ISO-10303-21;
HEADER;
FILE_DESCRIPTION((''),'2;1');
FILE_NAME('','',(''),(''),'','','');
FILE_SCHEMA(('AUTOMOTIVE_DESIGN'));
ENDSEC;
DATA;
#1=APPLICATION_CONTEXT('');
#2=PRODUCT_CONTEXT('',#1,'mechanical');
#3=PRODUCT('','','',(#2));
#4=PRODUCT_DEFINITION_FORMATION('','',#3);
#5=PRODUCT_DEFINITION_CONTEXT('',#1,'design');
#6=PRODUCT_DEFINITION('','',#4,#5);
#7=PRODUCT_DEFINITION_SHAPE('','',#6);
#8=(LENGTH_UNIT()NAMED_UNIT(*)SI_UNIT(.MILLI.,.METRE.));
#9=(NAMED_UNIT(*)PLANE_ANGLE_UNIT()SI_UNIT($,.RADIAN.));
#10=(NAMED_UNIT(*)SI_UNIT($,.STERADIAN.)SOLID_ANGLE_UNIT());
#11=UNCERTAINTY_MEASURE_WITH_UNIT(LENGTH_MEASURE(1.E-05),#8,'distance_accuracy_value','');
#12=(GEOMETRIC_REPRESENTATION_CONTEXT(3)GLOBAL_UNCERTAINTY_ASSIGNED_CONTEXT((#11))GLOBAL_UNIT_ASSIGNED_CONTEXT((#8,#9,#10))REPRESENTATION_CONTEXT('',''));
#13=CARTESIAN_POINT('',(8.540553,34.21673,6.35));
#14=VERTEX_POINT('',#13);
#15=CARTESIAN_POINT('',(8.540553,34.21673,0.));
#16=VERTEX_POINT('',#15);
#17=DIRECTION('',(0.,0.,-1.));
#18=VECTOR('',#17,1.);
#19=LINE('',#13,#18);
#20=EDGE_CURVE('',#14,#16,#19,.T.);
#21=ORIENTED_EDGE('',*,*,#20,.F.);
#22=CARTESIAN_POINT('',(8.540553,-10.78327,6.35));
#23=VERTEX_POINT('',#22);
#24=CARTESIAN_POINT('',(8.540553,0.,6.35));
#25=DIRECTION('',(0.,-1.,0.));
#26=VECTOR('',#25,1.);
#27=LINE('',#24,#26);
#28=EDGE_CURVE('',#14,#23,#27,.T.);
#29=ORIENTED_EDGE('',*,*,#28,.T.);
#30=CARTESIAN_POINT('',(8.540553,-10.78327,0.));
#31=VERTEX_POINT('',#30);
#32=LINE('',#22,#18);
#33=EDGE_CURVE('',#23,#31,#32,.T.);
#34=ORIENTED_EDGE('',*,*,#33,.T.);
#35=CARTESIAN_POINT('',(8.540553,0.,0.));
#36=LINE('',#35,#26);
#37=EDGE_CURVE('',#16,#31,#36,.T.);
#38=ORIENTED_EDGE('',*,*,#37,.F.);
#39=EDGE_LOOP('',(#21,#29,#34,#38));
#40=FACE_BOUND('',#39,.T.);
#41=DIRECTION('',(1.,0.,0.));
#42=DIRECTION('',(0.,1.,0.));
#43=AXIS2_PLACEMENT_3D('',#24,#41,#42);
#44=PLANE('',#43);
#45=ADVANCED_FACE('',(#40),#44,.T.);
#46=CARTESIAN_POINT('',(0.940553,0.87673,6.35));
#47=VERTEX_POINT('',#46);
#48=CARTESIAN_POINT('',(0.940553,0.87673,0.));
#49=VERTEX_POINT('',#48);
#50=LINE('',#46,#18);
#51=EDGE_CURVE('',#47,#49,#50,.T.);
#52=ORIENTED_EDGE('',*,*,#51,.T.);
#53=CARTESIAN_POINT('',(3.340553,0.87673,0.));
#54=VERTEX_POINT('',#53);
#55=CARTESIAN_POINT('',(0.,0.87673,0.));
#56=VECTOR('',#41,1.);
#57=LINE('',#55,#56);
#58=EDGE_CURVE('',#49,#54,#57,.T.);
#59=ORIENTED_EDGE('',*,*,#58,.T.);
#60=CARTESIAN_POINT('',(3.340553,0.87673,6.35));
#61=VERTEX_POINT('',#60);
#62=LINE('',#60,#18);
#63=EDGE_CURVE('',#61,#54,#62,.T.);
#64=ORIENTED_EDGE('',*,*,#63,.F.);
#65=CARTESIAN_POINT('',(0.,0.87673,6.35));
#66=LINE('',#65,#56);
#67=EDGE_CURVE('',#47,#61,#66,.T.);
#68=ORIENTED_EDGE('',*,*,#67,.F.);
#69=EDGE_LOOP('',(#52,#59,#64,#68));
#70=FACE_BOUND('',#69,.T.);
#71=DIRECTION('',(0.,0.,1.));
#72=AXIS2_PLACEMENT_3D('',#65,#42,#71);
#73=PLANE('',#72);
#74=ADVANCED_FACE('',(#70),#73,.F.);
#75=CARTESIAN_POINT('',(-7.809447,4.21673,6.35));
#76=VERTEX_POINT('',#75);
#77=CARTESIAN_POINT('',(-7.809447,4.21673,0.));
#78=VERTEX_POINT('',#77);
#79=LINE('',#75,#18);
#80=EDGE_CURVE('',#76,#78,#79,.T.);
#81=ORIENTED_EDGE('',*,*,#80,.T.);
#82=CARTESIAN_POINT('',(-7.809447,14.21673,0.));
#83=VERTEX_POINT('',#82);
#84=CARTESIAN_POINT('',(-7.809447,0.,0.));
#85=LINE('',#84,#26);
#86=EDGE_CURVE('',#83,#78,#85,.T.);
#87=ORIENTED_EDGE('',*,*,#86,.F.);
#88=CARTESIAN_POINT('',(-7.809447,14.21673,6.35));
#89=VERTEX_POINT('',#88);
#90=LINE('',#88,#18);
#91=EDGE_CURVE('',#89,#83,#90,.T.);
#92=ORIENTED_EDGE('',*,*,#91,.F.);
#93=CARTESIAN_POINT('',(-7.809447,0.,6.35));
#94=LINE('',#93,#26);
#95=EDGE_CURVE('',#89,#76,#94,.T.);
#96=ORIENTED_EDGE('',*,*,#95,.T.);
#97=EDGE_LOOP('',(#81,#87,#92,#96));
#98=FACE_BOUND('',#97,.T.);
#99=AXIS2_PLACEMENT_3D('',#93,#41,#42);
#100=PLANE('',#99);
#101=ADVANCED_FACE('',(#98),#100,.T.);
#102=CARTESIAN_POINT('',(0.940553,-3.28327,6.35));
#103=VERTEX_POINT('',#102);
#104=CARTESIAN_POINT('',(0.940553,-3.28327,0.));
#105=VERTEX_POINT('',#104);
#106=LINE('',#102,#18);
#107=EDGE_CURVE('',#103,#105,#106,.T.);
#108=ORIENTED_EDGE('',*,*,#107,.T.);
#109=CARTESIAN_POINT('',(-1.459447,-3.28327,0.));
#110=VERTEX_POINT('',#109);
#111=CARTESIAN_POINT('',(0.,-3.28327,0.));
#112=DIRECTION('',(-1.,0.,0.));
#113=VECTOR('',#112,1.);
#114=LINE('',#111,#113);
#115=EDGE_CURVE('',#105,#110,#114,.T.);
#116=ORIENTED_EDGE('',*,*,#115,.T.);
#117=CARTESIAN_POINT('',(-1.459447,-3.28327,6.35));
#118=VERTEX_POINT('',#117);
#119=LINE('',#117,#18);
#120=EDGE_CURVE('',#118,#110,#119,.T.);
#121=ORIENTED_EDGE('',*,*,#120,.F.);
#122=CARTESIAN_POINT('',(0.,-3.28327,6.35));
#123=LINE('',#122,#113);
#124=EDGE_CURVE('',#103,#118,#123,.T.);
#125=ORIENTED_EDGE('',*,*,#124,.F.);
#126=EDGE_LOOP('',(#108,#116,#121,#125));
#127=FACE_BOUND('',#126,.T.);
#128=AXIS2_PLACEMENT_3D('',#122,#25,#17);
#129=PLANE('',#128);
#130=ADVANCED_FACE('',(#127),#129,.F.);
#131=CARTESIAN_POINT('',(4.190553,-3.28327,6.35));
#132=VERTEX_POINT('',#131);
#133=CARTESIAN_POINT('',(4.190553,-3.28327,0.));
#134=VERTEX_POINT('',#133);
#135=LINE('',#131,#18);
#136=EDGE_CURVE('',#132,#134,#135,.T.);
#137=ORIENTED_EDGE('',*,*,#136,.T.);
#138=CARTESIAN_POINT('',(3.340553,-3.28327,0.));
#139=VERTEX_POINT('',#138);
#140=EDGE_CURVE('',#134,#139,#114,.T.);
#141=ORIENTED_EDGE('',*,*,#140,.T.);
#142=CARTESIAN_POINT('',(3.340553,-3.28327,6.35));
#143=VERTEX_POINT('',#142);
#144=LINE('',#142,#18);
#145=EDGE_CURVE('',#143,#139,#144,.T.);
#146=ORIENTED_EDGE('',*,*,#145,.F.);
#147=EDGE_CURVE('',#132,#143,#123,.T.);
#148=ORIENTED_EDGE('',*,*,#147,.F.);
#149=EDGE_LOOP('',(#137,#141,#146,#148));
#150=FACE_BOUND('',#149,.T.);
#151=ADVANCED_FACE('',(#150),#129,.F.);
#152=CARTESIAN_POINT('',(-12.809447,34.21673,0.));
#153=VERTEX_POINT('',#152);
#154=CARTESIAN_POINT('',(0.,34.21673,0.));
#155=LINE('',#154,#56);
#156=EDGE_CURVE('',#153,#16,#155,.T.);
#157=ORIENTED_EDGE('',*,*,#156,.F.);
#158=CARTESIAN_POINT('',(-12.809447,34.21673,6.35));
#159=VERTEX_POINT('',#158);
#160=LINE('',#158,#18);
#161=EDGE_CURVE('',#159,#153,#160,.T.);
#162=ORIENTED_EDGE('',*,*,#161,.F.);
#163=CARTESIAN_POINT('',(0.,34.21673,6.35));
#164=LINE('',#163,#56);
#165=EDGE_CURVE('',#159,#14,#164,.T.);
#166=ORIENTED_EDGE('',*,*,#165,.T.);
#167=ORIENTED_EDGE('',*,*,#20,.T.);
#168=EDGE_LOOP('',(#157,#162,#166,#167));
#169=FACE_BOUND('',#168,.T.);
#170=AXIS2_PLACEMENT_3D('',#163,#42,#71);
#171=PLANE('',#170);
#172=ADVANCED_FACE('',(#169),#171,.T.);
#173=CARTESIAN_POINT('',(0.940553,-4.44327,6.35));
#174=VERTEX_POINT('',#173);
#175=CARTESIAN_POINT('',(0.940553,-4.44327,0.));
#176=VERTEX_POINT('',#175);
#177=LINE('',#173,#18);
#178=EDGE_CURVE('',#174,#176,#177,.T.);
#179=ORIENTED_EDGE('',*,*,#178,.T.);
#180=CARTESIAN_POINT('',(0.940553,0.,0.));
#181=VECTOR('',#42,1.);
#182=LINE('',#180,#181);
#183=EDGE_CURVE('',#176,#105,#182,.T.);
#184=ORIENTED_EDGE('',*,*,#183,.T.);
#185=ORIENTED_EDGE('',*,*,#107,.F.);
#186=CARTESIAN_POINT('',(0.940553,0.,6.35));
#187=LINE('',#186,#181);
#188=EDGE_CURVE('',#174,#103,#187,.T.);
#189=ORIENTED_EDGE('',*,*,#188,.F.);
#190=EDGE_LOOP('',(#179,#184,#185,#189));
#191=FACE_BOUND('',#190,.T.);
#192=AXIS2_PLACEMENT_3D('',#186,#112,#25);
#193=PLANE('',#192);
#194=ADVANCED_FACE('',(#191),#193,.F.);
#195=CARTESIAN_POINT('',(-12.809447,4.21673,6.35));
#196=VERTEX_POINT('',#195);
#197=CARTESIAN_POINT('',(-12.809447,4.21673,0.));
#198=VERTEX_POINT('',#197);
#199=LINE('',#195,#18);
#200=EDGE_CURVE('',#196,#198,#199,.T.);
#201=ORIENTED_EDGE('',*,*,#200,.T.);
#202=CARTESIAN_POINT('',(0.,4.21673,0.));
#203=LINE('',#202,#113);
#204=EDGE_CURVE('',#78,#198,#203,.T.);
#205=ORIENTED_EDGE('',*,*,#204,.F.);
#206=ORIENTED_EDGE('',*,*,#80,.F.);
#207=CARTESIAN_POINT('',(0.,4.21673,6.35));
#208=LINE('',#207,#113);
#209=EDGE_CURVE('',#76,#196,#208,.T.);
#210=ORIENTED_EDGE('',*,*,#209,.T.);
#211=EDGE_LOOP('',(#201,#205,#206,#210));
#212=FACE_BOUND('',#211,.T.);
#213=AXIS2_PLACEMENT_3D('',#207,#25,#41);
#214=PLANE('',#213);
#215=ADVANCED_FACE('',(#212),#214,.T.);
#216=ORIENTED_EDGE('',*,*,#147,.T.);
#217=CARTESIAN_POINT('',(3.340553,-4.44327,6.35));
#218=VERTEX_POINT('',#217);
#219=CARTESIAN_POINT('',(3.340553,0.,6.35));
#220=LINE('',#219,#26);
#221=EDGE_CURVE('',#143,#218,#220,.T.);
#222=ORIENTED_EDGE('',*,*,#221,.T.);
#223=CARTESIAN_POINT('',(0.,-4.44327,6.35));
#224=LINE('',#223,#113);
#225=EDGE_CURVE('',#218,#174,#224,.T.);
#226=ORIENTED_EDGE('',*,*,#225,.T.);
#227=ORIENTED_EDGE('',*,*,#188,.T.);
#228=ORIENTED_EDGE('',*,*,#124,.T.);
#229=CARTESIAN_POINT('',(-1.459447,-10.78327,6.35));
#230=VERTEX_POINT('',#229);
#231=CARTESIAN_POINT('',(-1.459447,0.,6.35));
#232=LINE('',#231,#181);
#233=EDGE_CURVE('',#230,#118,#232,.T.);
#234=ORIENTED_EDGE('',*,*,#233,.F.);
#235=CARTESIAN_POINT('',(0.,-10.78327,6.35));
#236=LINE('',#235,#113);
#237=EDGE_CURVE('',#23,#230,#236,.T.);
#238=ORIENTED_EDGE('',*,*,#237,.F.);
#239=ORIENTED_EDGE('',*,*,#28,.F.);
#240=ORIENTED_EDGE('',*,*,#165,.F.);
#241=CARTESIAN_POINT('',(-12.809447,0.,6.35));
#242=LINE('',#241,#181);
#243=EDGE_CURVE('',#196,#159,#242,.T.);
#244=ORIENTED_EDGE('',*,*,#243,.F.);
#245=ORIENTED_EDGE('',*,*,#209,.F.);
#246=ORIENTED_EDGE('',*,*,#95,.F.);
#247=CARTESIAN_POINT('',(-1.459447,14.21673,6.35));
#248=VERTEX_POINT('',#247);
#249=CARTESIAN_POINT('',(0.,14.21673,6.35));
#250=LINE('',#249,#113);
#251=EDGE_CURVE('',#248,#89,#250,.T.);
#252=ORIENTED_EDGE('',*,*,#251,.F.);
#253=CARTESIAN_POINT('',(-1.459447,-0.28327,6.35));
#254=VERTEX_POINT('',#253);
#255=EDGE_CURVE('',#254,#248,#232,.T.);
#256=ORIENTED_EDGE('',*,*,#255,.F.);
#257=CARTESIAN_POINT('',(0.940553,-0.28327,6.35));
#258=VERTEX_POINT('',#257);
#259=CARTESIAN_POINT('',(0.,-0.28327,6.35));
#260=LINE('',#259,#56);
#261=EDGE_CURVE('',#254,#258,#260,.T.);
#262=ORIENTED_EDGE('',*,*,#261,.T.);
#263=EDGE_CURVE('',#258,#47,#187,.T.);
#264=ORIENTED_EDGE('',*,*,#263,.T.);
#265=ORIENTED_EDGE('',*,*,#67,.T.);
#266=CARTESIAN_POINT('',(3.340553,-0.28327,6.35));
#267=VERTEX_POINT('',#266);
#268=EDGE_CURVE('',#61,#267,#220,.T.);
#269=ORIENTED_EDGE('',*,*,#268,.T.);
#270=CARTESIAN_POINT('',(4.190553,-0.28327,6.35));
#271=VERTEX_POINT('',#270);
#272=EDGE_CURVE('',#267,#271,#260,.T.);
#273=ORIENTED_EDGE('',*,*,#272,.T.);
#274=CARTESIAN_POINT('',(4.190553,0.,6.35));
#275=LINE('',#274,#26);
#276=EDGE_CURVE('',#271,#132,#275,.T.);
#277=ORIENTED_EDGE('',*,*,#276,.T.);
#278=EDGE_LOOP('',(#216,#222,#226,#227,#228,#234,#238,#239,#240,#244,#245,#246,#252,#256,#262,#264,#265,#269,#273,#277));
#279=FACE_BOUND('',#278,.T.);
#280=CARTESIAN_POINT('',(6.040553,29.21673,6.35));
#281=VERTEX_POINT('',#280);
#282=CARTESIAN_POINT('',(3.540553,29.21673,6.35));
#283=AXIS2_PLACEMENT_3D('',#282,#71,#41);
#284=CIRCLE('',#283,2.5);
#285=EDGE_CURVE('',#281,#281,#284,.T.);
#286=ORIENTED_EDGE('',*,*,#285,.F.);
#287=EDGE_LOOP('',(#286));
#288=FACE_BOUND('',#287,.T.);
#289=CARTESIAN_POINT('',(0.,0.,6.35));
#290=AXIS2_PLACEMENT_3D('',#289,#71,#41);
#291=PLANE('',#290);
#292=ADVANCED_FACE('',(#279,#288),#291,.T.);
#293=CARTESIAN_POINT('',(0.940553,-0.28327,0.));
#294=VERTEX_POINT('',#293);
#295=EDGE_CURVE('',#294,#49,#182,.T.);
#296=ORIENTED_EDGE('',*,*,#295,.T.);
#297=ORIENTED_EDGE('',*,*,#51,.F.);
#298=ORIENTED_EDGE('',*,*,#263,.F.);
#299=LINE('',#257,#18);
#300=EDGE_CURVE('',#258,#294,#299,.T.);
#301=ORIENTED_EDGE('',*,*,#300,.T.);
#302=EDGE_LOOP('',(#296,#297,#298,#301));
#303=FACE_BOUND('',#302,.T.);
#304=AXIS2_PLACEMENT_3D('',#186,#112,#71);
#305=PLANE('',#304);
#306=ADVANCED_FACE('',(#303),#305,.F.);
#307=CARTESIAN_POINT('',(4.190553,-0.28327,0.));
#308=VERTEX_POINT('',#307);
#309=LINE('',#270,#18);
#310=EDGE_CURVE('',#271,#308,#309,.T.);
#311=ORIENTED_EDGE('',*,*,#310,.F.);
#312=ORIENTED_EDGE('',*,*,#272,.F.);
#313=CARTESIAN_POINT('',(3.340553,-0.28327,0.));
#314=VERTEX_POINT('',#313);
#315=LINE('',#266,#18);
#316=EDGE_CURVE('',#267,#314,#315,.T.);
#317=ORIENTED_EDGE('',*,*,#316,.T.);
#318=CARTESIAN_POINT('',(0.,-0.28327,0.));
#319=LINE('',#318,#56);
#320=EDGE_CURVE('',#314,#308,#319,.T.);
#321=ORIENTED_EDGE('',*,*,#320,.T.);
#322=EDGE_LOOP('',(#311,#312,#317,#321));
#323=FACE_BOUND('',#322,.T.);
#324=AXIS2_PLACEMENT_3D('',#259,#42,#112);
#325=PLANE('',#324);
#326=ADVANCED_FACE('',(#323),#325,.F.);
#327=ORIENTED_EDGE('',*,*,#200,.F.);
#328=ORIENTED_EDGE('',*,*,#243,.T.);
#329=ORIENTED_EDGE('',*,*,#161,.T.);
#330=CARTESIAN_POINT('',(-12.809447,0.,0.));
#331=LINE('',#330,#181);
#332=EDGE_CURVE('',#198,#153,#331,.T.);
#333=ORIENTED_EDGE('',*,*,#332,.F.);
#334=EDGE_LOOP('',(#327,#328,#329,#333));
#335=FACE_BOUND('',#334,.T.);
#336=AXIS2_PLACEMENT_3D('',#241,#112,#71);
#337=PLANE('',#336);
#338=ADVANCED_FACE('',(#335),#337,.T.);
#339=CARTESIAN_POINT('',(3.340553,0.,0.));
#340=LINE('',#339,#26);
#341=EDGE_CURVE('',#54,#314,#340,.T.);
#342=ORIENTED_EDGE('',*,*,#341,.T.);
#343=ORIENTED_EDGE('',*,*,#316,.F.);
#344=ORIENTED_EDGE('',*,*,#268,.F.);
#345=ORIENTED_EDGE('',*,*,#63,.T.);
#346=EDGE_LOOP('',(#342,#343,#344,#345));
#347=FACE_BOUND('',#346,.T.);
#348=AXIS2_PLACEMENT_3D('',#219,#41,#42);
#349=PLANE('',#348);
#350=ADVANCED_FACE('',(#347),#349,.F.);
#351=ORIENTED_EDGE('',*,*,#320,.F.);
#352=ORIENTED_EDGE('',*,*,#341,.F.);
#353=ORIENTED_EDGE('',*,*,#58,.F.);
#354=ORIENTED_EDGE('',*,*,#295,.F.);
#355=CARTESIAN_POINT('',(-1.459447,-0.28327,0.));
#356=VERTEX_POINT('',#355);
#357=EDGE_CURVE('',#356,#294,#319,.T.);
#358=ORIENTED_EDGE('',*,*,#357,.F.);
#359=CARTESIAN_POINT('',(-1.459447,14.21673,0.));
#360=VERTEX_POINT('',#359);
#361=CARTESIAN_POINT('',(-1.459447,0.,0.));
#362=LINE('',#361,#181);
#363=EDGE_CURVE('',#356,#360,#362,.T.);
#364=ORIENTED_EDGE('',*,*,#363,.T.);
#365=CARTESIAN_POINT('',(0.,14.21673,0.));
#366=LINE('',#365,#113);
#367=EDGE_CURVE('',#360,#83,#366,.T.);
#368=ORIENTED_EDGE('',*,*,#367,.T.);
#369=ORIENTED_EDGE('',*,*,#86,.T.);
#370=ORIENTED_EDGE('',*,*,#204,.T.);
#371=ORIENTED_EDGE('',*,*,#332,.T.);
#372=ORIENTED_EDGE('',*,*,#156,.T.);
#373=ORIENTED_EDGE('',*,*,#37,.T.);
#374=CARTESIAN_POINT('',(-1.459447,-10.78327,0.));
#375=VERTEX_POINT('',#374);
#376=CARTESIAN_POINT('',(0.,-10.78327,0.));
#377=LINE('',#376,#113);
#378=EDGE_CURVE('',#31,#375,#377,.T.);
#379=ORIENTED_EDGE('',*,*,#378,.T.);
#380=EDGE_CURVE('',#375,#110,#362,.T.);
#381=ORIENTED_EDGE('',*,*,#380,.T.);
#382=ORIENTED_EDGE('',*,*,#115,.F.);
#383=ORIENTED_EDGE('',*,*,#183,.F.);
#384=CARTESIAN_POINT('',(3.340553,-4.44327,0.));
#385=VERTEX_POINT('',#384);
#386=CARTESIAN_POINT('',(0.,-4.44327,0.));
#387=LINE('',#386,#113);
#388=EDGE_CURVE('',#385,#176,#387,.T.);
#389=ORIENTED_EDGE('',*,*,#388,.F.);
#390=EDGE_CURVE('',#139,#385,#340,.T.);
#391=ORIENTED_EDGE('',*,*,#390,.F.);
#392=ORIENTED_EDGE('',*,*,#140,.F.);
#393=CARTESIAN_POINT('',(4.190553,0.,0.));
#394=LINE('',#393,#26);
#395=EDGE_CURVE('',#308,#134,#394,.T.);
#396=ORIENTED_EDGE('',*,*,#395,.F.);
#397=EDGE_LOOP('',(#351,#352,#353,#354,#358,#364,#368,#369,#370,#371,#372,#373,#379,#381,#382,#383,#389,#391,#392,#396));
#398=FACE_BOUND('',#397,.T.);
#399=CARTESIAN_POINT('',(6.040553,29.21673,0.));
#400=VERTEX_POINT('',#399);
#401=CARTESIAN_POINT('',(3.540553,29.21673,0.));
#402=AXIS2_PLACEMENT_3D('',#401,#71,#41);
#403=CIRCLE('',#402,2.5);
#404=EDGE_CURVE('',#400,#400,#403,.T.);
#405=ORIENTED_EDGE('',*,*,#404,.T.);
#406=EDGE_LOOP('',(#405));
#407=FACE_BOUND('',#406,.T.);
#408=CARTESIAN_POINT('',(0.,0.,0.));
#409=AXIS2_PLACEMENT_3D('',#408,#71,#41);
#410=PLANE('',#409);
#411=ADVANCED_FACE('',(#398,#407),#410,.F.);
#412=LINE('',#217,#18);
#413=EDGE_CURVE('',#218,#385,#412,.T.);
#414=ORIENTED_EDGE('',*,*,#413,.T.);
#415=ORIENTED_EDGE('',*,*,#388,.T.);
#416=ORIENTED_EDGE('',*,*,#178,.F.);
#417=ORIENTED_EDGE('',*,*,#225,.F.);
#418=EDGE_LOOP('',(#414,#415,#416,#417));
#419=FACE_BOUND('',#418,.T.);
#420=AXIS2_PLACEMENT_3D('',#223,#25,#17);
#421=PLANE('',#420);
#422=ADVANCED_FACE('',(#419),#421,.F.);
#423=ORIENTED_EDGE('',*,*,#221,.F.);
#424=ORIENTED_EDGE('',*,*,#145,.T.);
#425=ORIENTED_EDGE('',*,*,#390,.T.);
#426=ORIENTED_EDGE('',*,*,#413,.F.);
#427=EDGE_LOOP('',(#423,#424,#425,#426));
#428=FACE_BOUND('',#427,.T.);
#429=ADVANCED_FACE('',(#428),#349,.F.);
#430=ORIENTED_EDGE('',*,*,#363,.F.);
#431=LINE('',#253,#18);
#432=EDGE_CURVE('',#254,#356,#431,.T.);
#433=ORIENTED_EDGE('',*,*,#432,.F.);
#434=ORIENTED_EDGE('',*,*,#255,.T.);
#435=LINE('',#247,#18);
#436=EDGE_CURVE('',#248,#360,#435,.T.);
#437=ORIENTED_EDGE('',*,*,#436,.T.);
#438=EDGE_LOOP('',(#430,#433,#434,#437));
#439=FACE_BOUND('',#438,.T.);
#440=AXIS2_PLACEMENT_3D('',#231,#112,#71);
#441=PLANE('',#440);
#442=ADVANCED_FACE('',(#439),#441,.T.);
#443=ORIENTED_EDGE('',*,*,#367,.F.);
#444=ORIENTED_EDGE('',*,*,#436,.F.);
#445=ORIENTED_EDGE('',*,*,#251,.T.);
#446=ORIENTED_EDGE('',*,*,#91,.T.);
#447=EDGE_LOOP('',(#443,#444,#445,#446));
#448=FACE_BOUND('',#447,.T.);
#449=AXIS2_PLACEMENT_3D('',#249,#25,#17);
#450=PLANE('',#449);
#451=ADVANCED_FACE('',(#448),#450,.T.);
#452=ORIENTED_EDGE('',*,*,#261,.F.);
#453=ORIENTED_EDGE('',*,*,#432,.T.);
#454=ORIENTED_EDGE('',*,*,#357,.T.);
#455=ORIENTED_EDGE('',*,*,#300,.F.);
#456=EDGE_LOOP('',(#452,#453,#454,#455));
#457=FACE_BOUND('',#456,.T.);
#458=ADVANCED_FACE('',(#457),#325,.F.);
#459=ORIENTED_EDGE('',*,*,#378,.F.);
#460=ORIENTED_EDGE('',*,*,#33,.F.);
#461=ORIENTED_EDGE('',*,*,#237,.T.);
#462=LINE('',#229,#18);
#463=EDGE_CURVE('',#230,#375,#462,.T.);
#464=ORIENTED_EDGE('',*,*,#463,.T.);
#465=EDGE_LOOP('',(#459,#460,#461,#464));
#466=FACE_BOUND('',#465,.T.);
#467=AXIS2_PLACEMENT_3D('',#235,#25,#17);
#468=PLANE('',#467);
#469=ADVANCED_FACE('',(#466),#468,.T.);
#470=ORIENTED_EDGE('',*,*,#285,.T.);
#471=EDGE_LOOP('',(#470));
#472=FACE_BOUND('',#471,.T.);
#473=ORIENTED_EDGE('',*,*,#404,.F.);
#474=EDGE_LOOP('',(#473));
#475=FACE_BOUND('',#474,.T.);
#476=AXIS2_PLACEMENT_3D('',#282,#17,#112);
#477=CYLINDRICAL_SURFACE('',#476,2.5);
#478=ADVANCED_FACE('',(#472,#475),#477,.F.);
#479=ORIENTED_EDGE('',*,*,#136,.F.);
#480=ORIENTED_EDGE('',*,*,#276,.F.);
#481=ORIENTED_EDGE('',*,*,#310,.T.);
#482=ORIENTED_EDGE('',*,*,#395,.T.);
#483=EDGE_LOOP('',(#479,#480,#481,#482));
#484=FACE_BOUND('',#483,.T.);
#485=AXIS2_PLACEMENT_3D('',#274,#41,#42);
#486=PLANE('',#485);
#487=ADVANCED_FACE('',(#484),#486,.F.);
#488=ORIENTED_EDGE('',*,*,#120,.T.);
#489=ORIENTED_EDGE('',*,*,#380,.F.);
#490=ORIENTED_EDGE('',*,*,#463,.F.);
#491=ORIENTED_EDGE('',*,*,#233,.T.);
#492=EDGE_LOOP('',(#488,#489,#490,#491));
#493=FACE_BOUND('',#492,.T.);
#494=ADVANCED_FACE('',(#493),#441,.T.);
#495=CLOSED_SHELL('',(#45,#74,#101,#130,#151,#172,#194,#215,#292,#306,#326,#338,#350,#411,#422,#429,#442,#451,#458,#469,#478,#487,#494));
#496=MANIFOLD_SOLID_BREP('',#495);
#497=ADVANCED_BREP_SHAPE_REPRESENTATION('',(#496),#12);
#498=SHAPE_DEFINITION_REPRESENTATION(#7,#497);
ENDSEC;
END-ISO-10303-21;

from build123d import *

# Parameters (mm, degrees)
SKETCH1_R           = 2.5
BOSS_EXTRUDE1_DEPTH = 6.35


with BuildPart() as part:
    # Sketch1 → Boss-Extrude1 (new body)
    with BuildSketch(Plane.XY):
        Polygon((8.540553214, -10.783269704), (8.540553214, 34.216730296), (-12.809446786, 34.216730296), (-12.809446786, 4.216730296), (-7.809446786, 4.216730296), (-7.809446786, 14.216730296), (-1.459446786, 14.216730296), (-1.459446786, -0.283269704), (0.940553214, -0.283269704), (0.940553214, 0.876730296), (3.340553214, 0.876730296), (3.340553214, -0.283269704), (4.190553214, -0.283269704), (4.190553214, -3.283269704), (3.340553214, -3.283269704), (3.340553214, -4.443269704), (0.940553214, -4.443269704), (0.940553214, -3.283269704), (-1.459446786, -3.283269704), (-1.459446786, -10.783269704), align=None)
        with Locations((3.540553214, 29.216730296)):
            Circle(SKETCH1_R, mode=Mode.SUBTRACT)
    extrude(amount=BOSS_EXTRUDE1_DEPTH)


solid = part.part
